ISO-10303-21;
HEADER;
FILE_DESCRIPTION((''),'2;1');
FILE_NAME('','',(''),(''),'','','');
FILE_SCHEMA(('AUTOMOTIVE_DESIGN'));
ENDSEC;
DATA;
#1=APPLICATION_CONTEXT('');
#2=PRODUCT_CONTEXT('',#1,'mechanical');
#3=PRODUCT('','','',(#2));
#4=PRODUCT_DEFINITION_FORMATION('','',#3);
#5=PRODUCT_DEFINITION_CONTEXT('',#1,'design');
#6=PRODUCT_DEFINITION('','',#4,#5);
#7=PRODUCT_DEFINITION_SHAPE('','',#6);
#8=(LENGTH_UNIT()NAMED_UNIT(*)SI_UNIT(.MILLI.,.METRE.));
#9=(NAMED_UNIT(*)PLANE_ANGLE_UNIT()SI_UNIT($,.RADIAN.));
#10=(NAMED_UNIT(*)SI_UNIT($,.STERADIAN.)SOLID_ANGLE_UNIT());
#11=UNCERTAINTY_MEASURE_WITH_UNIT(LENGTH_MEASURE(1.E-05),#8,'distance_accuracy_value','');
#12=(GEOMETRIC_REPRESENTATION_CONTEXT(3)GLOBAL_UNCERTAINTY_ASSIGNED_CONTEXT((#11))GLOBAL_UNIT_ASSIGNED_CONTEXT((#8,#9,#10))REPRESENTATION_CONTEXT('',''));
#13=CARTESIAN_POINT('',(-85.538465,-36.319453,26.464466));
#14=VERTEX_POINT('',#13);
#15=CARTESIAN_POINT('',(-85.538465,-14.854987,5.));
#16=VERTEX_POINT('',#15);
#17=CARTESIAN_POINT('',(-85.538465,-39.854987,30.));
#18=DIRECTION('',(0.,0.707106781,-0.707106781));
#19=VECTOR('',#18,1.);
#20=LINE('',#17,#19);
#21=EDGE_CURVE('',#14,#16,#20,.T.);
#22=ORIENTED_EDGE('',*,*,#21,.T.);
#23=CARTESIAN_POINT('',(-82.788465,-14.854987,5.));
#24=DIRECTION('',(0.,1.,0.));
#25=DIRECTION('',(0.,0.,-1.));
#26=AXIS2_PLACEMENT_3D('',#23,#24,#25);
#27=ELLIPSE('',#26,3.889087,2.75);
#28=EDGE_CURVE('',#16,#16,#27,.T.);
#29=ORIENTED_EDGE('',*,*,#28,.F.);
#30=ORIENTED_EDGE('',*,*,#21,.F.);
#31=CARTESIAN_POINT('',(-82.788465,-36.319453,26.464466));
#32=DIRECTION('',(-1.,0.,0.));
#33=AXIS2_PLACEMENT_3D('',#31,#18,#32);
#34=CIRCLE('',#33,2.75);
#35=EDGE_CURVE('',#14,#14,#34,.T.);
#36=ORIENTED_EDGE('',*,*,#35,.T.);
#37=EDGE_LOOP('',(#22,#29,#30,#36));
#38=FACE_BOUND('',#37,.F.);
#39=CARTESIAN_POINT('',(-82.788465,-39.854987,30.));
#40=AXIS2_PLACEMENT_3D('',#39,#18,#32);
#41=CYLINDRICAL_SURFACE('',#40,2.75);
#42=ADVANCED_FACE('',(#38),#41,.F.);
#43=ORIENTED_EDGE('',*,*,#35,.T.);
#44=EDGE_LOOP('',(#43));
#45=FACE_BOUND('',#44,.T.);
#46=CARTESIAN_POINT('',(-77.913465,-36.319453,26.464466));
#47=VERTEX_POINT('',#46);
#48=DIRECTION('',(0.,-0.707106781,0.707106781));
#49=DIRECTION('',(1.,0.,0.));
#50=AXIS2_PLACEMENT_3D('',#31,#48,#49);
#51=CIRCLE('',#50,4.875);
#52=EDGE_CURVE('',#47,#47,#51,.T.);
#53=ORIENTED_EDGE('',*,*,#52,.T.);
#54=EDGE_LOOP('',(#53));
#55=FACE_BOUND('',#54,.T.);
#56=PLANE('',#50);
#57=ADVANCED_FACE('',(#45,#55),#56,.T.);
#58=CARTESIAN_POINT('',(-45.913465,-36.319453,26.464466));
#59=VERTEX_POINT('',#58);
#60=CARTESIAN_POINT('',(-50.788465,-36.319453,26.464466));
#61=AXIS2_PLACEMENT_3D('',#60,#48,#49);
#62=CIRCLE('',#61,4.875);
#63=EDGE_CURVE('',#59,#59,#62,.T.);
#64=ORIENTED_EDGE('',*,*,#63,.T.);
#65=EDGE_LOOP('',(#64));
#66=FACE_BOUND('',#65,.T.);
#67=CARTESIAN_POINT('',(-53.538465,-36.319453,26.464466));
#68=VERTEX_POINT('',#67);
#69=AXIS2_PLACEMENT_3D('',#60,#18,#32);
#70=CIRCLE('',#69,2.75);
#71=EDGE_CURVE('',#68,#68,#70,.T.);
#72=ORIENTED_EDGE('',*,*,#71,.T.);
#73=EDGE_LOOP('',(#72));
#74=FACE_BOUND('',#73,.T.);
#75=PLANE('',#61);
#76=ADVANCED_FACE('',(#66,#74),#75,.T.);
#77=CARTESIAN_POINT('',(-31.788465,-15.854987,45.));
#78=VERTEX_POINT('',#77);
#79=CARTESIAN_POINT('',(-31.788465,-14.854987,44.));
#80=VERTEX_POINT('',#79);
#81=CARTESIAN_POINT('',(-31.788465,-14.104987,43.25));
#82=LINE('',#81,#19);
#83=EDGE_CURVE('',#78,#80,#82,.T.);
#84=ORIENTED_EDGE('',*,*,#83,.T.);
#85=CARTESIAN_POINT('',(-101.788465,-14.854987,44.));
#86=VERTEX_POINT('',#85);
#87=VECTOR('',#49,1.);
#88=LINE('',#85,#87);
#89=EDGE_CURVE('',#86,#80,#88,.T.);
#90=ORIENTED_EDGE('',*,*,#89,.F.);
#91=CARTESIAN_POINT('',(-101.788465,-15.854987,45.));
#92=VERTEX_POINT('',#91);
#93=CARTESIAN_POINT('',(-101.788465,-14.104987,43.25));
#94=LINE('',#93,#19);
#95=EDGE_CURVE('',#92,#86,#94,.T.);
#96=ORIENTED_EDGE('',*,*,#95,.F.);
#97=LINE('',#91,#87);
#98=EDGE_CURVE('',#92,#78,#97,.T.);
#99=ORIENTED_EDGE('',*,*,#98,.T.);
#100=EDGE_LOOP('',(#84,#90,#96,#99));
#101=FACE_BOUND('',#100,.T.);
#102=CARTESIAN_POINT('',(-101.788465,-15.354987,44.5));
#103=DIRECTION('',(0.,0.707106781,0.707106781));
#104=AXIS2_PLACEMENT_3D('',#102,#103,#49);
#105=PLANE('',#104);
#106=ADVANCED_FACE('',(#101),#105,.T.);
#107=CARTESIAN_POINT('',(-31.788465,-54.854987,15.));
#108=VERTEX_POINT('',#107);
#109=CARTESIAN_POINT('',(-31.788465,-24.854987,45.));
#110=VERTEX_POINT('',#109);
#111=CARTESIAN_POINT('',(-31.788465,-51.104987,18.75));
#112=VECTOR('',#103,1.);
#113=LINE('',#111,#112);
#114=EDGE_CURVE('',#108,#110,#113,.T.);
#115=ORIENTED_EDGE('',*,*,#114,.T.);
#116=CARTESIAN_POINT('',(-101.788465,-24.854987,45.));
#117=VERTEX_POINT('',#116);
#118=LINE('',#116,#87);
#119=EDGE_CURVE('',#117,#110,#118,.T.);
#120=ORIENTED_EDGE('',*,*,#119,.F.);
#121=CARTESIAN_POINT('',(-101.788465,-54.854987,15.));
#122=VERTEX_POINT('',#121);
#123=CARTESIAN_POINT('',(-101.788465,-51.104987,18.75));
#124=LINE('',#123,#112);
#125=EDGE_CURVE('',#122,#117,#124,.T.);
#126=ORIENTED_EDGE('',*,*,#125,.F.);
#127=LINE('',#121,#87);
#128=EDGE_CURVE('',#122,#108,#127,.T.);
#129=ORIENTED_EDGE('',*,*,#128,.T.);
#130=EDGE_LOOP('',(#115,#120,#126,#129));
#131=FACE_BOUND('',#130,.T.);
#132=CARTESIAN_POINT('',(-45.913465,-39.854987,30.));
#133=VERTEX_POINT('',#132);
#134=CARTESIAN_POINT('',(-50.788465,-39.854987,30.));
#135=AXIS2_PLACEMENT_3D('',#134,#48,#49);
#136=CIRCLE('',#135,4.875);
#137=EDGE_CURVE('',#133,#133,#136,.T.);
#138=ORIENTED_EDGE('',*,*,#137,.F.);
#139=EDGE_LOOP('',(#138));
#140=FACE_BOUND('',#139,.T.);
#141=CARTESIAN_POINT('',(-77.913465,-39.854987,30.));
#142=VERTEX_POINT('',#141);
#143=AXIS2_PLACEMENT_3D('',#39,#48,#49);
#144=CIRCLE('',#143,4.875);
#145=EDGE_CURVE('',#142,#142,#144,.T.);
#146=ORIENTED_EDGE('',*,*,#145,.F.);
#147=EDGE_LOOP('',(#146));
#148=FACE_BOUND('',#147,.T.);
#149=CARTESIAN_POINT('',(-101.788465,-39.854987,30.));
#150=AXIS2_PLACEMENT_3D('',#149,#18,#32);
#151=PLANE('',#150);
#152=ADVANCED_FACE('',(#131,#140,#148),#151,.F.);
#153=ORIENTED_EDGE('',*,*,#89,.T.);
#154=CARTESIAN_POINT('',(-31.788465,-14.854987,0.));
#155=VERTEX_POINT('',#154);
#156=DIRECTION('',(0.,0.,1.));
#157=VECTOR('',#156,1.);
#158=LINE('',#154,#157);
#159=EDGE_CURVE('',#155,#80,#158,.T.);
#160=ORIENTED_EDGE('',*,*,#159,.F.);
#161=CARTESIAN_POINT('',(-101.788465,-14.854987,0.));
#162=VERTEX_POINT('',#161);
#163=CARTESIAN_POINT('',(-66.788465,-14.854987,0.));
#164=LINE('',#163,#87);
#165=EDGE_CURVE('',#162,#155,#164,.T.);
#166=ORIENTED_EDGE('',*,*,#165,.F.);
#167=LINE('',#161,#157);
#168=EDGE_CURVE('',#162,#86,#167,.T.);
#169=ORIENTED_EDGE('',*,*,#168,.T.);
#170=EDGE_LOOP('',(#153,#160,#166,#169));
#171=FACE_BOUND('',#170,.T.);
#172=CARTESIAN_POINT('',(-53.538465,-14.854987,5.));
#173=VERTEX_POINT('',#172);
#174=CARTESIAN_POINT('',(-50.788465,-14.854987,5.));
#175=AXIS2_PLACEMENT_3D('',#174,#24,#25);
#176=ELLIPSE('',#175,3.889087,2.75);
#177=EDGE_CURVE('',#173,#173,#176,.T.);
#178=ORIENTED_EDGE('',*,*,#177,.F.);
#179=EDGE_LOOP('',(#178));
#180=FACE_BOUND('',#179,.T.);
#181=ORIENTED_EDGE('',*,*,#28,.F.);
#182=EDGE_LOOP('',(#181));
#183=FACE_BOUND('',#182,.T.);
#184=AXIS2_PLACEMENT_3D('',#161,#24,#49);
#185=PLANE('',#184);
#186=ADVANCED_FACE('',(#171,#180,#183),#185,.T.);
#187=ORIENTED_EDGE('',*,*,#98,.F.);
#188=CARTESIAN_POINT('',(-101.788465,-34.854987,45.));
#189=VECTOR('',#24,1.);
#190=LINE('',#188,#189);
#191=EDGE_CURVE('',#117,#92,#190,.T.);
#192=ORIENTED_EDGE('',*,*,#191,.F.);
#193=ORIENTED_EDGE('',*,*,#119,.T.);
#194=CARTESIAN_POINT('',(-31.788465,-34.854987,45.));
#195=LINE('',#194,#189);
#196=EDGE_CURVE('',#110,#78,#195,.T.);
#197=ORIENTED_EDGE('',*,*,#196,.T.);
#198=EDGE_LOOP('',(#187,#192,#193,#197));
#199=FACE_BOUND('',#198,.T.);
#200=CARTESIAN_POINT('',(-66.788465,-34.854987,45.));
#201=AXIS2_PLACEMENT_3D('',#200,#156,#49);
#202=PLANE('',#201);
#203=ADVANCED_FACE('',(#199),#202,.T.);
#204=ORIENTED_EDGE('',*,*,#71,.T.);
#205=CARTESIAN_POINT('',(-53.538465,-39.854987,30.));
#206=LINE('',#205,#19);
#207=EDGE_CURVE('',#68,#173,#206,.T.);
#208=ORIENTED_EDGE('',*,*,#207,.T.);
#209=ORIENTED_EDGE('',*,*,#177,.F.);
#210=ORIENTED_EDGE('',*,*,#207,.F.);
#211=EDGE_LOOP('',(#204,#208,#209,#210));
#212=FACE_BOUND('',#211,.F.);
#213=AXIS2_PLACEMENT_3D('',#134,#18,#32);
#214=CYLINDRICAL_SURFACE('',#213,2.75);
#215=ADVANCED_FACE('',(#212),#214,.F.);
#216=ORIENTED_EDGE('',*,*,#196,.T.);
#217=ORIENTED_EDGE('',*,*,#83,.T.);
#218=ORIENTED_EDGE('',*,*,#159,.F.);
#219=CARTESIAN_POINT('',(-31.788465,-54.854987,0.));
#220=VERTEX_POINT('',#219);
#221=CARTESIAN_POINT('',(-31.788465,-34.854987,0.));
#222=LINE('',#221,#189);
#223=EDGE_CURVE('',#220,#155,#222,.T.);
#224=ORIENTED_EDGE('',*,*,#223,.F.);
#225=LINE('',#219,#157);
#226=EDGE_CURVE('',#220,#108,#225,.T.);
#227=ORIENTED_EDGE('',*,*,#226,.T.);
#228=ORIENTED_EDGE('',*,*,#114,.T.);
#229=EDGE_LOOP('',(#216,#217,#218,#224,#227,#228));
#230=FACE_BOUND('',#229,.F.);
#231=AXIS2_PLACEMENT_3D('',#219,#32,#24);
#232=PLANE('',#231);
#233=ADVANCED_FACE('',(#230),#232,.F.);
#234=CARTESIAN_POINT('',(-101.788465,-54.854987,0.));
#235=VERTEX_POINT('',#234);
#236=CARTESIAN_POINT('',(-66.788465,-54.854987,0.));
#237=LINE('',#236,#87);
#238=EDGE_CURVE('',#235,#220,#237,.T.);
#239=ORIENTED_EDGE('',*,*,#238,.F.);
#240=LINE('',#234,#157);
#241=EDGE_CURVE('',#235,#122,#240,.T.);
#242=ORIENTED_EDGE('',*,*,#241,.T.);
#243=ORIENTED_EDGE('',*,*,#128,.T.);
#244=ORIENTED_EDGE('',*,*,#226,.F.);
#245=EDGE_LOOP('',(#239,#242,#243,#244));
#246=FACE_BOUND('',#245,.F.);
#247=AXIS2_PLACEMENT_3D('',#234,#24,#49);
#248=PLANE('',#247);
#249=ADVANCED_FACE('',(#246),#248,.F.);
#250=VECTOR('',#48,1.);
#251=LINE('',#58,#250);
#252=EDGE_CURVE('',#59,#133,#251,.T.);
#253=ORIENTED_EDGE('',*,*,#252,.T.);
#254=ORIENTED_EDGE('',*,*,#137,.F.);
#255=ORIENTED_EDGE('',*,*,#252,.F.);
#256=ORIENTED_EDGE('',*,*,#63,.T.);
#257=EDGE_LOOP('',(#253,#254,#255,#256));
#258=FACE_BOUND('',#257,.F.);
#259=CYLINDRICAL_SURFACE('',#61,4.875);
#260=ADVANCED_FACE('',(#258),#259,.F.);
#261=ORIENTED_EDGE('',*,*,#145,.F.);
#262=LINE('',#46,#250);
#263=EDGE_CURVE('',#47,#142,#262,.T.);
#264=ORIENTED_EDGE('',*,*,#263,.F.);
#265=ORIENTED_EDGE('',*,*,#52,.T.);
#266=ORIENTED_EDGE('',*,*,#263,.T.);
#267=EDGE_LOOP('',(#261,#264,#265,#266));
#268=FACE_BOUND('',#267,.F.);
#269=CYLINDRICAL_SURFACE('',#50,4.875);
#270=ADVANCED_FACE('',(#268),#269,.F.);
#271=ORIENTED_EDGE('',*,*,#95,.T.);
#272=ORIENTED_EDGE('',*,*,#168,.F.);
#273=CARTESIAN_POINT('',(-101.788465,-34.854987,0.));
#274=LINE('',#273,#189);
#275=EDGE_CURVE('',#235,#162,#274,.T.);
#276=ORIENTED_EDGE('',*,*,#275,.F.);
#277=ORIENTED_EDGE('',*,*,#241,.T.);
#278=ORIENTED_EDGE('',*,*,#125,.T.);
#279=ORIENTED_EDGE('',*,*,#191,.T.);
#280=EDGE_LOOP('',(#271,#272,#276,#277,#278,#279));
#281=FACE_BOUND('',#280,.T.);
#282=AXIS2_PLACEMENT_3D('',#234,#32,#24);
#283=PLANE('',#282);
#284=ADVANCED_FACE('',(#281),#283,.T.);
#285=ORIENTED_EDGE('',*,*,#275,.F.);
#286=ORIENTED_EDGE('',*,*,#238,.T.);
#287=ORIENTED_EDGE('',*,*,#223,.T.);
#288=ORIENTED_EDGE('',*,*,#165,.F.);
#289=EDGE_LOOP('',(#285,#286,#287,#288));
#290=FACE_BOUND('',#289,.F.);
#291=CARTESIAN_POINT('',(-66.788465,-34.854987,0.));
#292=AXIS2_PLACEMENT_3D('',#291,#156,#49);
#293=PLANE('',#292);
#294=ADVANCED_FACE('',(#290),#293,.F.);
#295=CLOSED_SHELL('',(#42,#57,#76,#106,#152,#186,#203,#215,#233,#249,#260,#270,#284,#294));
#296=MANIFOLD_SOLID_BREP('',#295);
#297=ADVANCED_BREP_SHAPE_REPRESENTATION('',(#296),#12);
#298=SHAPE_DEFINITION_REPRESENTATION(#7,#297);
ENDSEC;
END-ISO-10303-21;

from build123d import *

# Parameters (mm, degrees)
F0_W           = 70
F0_H           = 40
F1_DEPTH       = 45
F2_SIZE        = 30
F4_D           = 5.5
F4_CBORE_D     = 9.75
F4_CBORE_DEPTH = 5
F5_SIZE        = 1


with BuildPart() as f1:
    # F0 (on Top) → F1 (new body)
    with BuildSketch(Plane.XY):
        with Locations((-66.7884647846, -34.8549866823)):
            Rectangle(F0_W, F0_H)
    extrude(amount=F1_DEPTH)

    # F2
    f2_edges = [f1.edges().sort_by_distance(p)[0] for p in [
        (-66.788465, -54.854987, 45),
    ]]
    chamfer(f2_edges, length=F2_SIZE)

    # F4 (through all)
    with Locations(Plane(origin=(0, -34.9274933411, 34.9274933411), x_dir=(1, 0, 0), z_dir=(0, -0.7071067812, 0.7071067812))):
        with Locations((-82.7884647846, -6.9685279115), (-50.7884647846, -6.9685279115)):
            CounterBoreHole(F4_D / 2, F4_CBORE_D / 2, F4_CBORE_DEPTH)

    # F5
    f5_edges = [f1.edges().sort_by_distance(p)[0] for p in [
        (-66.788465, -14.854987, 45),
    ]]
    chamfer(f5_edges, length=F5_SIZE)


solid = f1.part
